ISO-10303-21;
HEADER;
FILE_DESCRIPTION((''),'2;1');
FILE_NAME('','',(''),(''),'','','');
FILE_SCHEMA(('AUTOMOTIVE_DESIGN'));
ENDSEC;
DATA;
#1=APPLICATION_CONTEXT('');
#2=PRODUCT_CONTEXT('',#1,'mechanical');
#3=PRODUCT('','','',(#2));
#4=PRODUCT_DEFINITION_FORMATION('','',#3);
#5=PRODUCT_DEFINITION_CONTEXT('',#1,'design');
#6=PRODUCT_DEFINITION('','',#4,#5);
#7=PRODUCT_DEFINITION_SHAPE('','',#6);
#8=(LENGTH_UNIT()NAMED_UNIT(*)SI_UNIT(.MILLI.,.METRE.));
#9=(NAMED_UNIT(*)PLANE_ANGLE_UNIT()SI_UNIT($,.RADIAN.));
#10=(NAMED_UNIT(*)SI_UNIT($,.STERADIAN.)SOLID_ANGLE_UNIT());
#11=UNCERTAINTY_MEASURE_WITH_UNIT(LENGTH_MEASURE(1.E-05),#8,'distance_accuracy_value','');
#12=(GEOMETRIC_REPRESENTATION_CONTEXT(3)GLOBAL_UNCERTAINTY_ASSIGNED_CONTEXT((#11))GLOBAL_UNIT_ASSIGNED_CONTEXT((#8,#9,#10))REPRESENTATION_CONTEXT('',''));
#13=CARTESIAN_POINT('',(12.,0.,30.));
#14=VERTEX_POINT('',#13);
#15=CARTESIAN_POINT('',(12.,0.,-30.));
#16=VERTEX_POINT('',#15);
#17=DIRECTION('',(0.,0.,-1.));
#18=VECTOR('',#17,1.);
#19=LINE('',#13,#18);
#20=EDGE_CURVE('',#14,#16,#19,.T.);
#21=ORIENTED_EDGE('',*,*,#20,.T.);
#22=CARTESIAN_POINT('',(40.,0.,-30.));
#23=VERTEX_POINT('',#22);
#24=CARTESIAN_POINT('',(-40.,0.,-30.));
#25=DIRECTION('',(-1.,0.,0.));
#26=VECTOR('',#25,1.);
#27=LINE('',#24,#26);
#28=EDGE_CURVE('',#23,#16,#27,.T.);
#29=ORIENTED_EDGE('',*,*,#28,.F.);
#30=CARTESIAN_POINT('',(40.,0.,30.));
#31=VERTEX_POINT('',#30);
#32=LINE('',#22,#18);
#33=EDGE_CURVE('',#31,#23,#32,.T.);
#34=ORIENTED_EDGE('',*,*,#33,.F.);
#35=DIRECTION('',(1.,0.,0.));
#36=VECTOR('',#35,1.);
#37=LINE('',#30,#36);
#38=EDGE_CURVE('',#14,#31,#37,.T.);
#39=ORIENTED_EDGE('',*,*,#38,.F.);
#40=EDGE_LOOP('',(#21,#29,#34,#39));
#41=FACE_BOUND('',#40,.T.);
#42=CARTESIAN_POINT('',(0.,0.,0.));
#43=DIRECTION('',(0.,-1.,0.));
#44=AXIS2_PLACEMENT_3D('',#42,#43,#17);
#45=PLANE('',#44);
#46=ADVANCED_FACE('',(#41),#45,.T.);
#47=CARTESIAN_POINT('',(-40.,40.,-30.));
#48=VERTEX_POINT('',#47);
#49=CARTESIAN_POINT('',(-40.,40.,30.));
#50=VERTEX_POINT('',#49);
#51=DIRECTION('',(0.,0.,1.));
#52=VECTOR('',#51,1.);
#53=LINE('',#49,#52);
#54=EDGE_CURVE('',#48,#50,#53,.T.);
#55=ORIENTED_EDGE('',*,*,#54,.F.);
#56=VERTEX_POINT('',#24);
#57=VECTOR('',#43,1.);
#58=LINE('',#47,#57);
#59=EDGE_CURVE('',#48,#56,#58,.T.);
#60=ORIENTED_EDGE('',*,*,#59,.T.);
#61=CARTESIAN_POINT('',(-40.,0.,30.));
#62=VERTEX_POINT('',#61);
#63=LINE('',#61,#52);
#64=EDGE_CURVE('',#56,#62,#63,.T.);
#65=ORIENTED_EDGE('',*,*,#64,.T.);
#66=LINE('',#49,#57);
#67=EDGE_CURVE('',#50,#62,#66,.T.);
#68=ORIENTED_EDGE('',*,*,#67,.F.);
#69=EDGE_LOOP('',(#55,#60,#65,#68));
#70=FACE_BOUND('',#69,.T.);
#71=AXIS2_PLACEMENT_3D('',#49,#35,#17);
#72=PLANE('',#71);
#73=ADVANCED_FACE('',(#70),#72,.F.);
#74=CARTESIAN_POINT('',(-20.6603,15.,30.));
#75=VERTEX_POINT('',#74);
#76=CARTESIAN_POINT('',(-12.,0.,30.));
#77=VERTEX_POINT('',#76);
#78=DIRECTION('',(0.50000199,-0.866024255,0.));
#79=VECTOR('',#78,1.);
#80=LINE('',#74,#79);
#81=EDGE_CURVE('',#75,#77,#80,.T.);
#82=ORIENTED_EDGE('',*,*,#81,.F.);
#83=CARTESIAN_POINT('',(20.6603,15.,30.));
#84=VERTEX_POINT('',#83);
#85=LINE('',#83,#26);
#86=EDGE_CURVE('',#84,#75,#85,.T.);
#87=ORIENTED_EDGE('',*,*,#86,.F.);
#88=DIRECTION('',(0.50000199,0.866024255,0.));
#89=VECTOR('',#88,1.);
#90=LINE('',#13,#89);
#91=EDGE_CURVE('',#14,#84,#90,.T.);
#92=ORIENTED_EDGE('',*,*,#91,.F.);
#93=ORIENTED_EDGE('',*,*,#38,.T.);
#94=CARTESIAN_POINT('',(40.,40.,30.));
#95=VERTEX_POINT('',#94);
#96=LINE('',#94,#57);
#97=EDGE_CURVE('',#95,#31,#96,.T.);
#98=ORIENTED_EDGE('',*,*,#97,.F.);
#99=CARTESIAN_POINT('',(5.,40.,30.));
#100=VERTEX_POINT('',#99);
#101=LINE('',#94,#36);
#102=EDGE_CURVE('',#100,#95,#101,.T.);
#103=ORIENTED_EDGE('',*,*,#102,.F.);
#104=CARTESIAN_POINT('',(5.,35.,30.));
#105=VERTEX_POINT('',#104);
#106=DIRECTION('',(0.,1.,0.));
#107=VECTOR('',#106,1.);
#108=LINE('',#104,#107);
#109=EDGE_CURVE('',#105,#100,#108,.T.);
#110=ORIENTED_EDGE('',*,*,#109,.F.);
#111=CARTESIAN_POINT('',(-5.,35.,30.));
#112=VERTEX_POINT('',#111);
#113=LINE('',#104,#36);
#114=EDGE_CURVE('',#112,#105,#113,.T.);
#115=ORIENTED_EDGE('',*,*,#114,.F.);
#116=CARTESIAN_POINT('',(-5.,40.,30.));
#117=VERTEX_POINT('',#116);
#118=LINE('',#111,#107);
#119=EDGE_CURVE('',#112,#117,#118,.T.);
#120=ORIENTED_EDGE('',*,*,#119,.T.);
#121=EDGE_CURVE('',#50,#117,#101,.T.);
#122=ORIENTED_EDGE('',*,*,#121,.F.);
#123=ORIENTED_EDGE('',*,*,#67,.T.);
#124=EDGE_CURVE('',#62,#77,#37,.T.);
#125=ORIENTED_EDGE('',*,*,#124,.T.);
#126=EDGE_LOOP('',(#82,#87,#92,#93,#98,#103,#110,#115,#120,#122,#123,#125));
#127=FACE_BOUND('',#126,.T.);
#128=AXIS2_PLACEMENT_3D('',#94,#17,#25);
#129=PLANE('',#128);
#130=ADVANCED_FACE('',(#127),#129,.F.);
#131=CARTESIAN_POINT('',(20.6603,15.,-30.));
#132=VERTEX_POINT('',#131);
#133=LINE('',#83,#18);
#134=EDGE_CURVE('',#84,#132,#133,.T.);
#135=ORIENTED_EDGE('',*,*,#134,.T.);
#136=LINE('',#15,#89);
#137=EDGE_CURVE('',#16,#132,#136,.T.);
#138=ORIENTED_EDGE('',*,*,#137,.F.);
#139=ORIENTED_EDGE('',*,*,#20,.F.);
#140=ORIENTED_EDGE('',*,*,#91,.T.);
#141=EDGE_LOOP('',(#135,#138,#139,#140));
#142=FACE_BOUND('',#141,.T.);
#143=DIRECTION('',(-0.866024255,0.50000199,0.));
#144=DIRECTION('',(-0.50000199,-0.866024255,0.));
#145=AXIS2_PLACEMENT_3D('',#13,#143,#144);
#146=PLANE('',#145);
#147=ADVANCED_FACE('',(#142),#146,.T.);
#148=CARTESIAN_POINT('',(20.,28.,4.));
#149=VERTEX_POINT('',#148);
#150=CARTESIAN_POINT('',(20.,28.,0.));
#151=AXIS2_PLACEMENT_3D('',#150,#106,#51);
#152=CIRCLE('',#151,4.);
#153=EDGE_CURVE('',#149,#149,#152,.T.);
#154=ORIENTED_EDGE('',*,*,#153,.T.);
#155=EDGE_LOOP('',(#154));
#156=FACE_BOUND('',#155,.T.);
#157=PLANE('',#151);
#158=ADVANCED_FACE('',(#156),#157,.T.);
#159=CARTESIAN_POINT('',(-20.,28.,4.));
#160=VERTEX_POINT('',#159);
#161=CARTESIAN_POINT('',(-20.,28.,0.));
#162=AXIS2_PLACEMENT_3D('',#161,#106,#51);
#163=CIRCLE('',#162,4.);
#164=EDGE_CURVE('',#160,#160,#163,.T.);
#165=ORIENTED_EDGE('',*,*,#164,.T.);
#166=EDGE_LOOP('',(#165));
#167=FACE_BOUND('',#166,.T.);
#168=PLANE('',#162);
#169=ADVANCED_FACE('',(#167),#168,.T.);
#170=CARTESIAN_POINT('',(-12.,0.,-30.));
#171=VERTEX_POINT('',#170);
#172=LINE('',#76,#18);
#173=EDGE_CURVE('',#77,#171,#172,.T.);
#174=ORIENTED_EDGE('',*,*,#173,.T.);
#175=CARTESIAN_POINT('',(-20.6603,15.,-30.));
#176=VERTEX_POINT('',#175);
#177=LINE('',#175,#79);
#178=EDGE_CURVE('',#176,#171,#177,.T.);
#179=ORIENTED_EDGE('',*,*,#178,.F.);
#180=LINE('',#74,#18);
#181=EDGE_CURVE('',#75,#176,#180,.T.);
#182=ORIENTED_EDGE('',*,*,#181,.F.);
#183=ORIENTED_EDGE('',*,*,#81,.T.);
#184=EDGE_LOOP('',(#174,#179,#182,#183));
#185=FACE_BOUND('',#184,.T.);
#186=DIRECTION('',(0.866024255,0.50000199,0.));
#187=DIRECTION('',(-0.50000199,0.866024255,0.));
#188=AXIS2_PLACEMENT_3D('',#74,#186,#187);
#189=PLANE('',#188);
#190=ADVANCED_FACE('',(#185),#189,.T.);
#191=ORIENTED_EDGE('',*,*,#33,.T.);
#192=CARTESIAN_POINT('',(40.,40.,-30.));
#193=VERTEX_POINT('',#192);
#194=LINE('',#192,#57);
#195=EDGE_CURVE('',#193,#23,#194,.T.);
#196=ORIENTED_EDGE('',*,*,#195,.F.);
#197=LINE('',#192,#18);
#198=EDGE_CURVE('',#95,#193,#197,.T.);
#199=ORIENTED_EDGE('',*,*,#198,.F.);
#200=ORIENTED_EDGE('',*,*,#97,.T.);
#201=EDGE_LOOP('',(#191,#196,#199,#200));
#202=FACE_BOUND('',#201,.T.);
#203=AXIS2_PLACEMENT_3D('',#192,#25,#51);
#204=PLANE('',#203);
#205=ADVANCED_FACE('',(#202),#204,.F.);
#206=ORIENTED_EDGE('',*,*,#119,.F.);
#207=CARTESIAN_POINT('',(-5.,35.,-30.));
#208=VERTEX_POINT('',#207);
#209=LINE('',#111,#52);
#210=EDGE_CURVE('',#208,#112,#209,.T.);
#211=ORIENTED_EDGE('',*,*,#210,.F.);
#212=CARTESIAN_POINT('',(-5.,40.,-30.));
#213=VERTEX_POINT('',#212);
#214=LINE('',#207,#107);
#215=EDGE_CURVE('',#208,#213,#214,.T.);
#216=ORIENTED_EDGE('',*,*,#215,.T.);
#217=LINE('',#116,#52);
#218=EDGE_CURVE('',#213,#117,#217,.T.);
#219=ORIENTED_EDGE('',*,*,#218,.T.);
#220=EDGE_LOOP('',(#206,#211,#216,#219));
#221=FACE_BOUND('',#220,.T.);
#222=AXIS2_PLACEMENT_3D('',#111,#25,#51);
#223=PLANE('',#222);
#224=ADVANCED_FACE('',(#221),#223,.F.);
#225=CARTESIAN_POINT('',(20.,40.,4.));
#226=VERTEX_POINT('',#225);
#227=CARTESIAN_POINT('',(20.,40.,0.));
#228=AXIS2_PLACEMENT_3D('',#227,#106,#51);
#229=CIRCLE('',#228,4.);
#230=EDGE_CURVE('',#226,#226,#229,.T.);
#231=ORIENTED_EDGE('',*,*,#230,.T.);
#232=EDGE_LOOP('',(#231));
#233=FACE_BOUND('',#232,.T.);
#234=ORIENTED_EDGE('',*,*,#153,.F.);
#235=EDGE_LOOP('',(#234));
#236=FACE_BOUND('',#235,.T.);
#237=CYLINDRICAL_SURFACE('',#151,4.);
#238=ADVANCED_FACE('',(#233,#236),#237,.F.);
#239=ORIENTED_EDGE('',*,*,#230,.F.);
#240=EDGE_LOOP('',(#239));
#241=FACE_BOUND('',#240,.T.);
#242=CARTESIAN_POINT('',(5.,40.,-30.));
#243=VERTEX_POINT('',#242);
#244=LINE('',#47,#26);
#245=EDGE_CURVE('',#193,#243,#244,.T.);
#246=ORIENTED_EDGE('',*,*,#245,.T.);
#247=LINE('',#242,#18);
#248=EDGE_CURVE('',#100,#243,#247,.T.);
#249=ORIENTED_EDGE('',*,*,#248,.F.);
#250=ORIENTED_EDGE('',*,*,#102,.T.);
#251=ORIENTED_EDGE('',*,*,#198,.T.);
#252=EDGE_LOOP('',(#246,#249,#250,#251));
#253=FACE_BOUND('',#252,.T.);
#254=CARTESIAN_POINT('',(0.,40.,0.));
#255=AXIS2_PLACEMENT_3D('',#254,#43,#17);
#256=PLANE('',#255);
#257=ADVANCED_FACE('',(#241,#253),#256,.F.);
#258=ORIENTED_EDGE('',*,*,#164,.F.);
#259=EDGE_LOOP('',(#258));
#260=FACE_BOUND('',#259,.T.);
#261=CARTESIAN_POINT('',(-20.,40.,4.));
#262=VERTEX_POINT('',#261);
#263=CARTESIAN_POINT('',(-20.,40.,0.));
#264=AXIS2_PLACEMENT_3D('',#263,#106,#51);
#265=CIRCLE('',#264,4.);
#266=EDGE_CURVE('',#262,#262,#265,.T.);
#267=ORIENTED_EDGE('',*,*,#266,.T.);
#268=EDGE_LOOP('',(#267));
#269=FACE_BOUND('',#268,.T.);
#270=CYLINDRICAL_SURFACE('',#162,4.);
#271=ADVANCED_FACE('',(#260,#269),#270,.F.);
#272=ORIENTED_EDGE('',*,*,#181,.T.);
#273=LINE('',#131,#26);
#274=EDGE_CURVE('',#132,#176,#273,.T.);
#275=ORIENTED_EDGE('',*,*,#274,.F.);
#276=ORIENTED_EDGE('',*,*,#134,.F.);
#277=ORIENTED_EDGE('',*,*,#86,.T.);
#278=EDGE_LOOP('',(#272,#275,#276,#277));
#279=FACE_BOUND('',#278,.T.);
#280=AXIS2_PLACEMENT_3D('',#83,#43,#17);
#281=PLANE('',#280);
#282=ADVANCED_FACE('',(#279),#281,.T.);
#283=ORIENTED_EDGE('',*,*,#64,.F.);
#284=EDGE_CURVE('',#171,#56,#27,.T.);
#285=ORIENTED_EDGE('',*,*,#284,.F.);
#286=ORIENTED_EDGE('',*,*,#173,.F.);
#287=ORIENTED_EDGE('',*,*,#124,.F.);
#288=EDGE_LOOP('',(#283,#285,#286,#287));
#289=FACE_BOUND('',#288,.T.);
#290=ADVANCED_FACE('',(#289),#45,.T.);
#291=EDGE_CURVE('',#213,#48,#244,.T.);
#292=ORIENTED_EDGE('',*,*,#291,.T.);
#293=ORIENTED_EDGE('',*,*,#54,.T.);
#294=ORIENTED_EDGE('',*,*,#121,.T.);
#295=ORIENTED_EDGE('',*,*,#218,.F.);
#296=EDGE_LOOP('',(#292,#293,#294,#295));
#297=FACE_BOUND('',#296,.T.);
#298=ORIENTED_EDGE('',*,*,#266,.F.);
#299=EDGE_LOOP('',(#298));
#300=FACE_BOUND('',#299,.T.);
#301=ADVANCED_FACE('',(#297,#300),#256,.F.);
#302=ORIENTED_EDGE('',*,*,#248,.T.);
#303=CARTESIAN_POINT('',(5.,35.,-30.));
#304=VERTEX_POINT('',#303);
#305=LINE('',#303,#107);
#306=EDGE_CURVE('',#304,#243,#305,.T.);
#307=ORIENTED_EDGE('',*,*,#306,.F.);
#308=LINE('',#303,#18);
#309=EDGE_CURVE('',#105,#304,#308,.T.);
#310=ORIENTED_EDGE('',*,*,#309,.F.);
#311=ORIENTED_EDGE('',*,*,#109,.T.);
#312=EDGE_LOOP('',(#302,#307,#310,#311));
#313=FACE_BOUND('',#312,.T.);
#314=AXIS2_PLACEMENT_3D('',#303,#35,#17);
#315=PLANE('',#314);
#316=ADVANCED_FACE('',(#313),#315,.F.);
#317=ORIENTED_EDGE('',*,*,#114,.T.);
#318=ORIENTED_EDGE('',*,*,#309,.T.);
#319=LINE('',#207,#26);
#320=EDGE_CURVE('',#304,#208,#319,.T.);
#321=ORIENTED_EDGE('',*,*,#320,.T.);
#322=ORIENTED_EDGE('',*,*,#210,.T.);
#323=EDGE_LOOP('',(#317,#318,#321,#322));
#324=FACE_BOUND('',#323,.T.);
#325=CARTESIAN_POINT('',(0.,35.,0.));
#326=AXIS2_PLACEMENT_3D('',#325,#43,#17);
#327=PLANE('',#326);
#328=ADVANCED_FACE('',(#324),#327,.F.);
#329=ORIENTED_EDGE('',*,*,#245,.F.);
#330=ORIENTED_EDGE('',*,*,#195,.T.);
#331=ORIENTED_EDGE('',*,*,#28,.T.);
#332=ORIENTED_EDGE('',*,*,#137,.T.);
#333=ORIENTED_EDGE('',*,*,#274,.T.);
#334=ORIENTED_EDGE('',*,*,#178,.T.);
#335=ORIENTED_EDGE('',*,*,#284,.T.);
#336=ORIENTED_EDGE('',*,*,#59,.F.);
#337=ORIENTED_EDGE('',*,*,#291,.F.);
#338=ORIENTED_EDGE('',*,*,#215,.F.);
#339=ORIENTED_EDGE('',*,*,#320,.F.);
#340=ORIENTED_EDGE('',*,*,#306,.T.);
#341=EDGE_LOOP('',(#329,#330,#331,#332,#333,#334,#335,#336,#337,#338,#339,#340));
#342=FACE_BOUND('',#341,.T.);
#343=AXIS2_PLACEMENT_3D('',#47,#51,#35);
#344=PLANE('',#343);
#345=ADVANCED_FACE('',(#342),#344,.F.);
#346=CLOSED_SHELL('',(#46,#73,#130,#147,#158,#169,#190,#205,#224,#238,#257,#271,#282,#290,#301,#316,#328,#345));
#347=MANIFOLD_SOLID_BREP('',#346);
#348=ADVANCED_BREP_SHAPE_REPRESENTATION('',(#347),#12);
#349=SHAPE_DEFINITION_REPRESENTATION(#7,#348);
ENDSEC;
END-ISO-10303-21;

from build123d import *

# Parameters (mm, degrees)
SKETCH_1_W          = 80
SKETCH_1_H          = 60
EXTRUDE_1_DEPTH     = 40
CUT_EXTRUDE_1_DEPTH = 65.031242374
CUT_EXTRUDE_2_DEPTH = 65.031242374
SKETCH_4_W          = 10
SKETCH_4_H          = 60
CUT_EXTRUDE_3_DEPTH = 5
SKETCH_5_R          = 4
CUT_EXTRUDE_4_DEPTH = 12


with BuildPart() as part:
    # 草图1 → 凸台-拉伸1 (new body)
    with BuildSketch(Plane(origin=(0, 0, 0), x_dir=(1, 0, 0), z_dir=(0, 1, 0))):
        Rectangle(SKETCH_1_W, SKETCH_1_H)
    extrude(amount=EXTRUDE_1_DEPTH)

    # 草图2 → 切除-拉伸1 (cut, through all)
    with BuildSketch(Plane.XY):
        Polygon((-12, 0), (12, 0), (20.6603, 15), (-20.6603, 15), align=None)
    extrude(amount=CUT_EXTRUDE_1_DEPTH, mode=Mode.SUBTRACT)

    # 草图3 → 切除-拉伸2 (cut, through all)
    with BuildSketch(Plane.XY):
        Polygon((-12, 0), (12, 0), (20.6603, 15), (-20.6603, 15), align=None)
    extrude(amount=-CUT_EXTRUDE_2_DEPTH, mode=Mode.SUBTRACT)

    # 草图4 → 切除-拉伸3 (cut)
    with BuildSketch(Plane(origin=(0, 40, 0), x_dir=(1, 0, 0), z_dir=(0, 1, 0))):
        Rectangle(SKETCH_4_W, SKETCH_4_H)
    extrude(amount=-CUT_EXTRUDE_3_DEPTH, mode=Mode.SUBTRACT)

    # 草图5 → 切除-拉伸4 (cut)
    with BuildSketch(Plane(origin=(0, 40, 0), x_dir=(1, 0, 0), z_dir=(0, 1, 0))):
        with Locations(Location((-20, 0, 0), (0, 0, 270))):
            Circle(SKETCH_5_R)
        with Locations(Location((20, 0, 0), (0, 0, 270))):
            Circle(SKETCH_5_R)
    extrude(amount=-CUT_EXTRUDE_4_DEPTH, mode=Mode.SUBTRACT)


solid = part.part
